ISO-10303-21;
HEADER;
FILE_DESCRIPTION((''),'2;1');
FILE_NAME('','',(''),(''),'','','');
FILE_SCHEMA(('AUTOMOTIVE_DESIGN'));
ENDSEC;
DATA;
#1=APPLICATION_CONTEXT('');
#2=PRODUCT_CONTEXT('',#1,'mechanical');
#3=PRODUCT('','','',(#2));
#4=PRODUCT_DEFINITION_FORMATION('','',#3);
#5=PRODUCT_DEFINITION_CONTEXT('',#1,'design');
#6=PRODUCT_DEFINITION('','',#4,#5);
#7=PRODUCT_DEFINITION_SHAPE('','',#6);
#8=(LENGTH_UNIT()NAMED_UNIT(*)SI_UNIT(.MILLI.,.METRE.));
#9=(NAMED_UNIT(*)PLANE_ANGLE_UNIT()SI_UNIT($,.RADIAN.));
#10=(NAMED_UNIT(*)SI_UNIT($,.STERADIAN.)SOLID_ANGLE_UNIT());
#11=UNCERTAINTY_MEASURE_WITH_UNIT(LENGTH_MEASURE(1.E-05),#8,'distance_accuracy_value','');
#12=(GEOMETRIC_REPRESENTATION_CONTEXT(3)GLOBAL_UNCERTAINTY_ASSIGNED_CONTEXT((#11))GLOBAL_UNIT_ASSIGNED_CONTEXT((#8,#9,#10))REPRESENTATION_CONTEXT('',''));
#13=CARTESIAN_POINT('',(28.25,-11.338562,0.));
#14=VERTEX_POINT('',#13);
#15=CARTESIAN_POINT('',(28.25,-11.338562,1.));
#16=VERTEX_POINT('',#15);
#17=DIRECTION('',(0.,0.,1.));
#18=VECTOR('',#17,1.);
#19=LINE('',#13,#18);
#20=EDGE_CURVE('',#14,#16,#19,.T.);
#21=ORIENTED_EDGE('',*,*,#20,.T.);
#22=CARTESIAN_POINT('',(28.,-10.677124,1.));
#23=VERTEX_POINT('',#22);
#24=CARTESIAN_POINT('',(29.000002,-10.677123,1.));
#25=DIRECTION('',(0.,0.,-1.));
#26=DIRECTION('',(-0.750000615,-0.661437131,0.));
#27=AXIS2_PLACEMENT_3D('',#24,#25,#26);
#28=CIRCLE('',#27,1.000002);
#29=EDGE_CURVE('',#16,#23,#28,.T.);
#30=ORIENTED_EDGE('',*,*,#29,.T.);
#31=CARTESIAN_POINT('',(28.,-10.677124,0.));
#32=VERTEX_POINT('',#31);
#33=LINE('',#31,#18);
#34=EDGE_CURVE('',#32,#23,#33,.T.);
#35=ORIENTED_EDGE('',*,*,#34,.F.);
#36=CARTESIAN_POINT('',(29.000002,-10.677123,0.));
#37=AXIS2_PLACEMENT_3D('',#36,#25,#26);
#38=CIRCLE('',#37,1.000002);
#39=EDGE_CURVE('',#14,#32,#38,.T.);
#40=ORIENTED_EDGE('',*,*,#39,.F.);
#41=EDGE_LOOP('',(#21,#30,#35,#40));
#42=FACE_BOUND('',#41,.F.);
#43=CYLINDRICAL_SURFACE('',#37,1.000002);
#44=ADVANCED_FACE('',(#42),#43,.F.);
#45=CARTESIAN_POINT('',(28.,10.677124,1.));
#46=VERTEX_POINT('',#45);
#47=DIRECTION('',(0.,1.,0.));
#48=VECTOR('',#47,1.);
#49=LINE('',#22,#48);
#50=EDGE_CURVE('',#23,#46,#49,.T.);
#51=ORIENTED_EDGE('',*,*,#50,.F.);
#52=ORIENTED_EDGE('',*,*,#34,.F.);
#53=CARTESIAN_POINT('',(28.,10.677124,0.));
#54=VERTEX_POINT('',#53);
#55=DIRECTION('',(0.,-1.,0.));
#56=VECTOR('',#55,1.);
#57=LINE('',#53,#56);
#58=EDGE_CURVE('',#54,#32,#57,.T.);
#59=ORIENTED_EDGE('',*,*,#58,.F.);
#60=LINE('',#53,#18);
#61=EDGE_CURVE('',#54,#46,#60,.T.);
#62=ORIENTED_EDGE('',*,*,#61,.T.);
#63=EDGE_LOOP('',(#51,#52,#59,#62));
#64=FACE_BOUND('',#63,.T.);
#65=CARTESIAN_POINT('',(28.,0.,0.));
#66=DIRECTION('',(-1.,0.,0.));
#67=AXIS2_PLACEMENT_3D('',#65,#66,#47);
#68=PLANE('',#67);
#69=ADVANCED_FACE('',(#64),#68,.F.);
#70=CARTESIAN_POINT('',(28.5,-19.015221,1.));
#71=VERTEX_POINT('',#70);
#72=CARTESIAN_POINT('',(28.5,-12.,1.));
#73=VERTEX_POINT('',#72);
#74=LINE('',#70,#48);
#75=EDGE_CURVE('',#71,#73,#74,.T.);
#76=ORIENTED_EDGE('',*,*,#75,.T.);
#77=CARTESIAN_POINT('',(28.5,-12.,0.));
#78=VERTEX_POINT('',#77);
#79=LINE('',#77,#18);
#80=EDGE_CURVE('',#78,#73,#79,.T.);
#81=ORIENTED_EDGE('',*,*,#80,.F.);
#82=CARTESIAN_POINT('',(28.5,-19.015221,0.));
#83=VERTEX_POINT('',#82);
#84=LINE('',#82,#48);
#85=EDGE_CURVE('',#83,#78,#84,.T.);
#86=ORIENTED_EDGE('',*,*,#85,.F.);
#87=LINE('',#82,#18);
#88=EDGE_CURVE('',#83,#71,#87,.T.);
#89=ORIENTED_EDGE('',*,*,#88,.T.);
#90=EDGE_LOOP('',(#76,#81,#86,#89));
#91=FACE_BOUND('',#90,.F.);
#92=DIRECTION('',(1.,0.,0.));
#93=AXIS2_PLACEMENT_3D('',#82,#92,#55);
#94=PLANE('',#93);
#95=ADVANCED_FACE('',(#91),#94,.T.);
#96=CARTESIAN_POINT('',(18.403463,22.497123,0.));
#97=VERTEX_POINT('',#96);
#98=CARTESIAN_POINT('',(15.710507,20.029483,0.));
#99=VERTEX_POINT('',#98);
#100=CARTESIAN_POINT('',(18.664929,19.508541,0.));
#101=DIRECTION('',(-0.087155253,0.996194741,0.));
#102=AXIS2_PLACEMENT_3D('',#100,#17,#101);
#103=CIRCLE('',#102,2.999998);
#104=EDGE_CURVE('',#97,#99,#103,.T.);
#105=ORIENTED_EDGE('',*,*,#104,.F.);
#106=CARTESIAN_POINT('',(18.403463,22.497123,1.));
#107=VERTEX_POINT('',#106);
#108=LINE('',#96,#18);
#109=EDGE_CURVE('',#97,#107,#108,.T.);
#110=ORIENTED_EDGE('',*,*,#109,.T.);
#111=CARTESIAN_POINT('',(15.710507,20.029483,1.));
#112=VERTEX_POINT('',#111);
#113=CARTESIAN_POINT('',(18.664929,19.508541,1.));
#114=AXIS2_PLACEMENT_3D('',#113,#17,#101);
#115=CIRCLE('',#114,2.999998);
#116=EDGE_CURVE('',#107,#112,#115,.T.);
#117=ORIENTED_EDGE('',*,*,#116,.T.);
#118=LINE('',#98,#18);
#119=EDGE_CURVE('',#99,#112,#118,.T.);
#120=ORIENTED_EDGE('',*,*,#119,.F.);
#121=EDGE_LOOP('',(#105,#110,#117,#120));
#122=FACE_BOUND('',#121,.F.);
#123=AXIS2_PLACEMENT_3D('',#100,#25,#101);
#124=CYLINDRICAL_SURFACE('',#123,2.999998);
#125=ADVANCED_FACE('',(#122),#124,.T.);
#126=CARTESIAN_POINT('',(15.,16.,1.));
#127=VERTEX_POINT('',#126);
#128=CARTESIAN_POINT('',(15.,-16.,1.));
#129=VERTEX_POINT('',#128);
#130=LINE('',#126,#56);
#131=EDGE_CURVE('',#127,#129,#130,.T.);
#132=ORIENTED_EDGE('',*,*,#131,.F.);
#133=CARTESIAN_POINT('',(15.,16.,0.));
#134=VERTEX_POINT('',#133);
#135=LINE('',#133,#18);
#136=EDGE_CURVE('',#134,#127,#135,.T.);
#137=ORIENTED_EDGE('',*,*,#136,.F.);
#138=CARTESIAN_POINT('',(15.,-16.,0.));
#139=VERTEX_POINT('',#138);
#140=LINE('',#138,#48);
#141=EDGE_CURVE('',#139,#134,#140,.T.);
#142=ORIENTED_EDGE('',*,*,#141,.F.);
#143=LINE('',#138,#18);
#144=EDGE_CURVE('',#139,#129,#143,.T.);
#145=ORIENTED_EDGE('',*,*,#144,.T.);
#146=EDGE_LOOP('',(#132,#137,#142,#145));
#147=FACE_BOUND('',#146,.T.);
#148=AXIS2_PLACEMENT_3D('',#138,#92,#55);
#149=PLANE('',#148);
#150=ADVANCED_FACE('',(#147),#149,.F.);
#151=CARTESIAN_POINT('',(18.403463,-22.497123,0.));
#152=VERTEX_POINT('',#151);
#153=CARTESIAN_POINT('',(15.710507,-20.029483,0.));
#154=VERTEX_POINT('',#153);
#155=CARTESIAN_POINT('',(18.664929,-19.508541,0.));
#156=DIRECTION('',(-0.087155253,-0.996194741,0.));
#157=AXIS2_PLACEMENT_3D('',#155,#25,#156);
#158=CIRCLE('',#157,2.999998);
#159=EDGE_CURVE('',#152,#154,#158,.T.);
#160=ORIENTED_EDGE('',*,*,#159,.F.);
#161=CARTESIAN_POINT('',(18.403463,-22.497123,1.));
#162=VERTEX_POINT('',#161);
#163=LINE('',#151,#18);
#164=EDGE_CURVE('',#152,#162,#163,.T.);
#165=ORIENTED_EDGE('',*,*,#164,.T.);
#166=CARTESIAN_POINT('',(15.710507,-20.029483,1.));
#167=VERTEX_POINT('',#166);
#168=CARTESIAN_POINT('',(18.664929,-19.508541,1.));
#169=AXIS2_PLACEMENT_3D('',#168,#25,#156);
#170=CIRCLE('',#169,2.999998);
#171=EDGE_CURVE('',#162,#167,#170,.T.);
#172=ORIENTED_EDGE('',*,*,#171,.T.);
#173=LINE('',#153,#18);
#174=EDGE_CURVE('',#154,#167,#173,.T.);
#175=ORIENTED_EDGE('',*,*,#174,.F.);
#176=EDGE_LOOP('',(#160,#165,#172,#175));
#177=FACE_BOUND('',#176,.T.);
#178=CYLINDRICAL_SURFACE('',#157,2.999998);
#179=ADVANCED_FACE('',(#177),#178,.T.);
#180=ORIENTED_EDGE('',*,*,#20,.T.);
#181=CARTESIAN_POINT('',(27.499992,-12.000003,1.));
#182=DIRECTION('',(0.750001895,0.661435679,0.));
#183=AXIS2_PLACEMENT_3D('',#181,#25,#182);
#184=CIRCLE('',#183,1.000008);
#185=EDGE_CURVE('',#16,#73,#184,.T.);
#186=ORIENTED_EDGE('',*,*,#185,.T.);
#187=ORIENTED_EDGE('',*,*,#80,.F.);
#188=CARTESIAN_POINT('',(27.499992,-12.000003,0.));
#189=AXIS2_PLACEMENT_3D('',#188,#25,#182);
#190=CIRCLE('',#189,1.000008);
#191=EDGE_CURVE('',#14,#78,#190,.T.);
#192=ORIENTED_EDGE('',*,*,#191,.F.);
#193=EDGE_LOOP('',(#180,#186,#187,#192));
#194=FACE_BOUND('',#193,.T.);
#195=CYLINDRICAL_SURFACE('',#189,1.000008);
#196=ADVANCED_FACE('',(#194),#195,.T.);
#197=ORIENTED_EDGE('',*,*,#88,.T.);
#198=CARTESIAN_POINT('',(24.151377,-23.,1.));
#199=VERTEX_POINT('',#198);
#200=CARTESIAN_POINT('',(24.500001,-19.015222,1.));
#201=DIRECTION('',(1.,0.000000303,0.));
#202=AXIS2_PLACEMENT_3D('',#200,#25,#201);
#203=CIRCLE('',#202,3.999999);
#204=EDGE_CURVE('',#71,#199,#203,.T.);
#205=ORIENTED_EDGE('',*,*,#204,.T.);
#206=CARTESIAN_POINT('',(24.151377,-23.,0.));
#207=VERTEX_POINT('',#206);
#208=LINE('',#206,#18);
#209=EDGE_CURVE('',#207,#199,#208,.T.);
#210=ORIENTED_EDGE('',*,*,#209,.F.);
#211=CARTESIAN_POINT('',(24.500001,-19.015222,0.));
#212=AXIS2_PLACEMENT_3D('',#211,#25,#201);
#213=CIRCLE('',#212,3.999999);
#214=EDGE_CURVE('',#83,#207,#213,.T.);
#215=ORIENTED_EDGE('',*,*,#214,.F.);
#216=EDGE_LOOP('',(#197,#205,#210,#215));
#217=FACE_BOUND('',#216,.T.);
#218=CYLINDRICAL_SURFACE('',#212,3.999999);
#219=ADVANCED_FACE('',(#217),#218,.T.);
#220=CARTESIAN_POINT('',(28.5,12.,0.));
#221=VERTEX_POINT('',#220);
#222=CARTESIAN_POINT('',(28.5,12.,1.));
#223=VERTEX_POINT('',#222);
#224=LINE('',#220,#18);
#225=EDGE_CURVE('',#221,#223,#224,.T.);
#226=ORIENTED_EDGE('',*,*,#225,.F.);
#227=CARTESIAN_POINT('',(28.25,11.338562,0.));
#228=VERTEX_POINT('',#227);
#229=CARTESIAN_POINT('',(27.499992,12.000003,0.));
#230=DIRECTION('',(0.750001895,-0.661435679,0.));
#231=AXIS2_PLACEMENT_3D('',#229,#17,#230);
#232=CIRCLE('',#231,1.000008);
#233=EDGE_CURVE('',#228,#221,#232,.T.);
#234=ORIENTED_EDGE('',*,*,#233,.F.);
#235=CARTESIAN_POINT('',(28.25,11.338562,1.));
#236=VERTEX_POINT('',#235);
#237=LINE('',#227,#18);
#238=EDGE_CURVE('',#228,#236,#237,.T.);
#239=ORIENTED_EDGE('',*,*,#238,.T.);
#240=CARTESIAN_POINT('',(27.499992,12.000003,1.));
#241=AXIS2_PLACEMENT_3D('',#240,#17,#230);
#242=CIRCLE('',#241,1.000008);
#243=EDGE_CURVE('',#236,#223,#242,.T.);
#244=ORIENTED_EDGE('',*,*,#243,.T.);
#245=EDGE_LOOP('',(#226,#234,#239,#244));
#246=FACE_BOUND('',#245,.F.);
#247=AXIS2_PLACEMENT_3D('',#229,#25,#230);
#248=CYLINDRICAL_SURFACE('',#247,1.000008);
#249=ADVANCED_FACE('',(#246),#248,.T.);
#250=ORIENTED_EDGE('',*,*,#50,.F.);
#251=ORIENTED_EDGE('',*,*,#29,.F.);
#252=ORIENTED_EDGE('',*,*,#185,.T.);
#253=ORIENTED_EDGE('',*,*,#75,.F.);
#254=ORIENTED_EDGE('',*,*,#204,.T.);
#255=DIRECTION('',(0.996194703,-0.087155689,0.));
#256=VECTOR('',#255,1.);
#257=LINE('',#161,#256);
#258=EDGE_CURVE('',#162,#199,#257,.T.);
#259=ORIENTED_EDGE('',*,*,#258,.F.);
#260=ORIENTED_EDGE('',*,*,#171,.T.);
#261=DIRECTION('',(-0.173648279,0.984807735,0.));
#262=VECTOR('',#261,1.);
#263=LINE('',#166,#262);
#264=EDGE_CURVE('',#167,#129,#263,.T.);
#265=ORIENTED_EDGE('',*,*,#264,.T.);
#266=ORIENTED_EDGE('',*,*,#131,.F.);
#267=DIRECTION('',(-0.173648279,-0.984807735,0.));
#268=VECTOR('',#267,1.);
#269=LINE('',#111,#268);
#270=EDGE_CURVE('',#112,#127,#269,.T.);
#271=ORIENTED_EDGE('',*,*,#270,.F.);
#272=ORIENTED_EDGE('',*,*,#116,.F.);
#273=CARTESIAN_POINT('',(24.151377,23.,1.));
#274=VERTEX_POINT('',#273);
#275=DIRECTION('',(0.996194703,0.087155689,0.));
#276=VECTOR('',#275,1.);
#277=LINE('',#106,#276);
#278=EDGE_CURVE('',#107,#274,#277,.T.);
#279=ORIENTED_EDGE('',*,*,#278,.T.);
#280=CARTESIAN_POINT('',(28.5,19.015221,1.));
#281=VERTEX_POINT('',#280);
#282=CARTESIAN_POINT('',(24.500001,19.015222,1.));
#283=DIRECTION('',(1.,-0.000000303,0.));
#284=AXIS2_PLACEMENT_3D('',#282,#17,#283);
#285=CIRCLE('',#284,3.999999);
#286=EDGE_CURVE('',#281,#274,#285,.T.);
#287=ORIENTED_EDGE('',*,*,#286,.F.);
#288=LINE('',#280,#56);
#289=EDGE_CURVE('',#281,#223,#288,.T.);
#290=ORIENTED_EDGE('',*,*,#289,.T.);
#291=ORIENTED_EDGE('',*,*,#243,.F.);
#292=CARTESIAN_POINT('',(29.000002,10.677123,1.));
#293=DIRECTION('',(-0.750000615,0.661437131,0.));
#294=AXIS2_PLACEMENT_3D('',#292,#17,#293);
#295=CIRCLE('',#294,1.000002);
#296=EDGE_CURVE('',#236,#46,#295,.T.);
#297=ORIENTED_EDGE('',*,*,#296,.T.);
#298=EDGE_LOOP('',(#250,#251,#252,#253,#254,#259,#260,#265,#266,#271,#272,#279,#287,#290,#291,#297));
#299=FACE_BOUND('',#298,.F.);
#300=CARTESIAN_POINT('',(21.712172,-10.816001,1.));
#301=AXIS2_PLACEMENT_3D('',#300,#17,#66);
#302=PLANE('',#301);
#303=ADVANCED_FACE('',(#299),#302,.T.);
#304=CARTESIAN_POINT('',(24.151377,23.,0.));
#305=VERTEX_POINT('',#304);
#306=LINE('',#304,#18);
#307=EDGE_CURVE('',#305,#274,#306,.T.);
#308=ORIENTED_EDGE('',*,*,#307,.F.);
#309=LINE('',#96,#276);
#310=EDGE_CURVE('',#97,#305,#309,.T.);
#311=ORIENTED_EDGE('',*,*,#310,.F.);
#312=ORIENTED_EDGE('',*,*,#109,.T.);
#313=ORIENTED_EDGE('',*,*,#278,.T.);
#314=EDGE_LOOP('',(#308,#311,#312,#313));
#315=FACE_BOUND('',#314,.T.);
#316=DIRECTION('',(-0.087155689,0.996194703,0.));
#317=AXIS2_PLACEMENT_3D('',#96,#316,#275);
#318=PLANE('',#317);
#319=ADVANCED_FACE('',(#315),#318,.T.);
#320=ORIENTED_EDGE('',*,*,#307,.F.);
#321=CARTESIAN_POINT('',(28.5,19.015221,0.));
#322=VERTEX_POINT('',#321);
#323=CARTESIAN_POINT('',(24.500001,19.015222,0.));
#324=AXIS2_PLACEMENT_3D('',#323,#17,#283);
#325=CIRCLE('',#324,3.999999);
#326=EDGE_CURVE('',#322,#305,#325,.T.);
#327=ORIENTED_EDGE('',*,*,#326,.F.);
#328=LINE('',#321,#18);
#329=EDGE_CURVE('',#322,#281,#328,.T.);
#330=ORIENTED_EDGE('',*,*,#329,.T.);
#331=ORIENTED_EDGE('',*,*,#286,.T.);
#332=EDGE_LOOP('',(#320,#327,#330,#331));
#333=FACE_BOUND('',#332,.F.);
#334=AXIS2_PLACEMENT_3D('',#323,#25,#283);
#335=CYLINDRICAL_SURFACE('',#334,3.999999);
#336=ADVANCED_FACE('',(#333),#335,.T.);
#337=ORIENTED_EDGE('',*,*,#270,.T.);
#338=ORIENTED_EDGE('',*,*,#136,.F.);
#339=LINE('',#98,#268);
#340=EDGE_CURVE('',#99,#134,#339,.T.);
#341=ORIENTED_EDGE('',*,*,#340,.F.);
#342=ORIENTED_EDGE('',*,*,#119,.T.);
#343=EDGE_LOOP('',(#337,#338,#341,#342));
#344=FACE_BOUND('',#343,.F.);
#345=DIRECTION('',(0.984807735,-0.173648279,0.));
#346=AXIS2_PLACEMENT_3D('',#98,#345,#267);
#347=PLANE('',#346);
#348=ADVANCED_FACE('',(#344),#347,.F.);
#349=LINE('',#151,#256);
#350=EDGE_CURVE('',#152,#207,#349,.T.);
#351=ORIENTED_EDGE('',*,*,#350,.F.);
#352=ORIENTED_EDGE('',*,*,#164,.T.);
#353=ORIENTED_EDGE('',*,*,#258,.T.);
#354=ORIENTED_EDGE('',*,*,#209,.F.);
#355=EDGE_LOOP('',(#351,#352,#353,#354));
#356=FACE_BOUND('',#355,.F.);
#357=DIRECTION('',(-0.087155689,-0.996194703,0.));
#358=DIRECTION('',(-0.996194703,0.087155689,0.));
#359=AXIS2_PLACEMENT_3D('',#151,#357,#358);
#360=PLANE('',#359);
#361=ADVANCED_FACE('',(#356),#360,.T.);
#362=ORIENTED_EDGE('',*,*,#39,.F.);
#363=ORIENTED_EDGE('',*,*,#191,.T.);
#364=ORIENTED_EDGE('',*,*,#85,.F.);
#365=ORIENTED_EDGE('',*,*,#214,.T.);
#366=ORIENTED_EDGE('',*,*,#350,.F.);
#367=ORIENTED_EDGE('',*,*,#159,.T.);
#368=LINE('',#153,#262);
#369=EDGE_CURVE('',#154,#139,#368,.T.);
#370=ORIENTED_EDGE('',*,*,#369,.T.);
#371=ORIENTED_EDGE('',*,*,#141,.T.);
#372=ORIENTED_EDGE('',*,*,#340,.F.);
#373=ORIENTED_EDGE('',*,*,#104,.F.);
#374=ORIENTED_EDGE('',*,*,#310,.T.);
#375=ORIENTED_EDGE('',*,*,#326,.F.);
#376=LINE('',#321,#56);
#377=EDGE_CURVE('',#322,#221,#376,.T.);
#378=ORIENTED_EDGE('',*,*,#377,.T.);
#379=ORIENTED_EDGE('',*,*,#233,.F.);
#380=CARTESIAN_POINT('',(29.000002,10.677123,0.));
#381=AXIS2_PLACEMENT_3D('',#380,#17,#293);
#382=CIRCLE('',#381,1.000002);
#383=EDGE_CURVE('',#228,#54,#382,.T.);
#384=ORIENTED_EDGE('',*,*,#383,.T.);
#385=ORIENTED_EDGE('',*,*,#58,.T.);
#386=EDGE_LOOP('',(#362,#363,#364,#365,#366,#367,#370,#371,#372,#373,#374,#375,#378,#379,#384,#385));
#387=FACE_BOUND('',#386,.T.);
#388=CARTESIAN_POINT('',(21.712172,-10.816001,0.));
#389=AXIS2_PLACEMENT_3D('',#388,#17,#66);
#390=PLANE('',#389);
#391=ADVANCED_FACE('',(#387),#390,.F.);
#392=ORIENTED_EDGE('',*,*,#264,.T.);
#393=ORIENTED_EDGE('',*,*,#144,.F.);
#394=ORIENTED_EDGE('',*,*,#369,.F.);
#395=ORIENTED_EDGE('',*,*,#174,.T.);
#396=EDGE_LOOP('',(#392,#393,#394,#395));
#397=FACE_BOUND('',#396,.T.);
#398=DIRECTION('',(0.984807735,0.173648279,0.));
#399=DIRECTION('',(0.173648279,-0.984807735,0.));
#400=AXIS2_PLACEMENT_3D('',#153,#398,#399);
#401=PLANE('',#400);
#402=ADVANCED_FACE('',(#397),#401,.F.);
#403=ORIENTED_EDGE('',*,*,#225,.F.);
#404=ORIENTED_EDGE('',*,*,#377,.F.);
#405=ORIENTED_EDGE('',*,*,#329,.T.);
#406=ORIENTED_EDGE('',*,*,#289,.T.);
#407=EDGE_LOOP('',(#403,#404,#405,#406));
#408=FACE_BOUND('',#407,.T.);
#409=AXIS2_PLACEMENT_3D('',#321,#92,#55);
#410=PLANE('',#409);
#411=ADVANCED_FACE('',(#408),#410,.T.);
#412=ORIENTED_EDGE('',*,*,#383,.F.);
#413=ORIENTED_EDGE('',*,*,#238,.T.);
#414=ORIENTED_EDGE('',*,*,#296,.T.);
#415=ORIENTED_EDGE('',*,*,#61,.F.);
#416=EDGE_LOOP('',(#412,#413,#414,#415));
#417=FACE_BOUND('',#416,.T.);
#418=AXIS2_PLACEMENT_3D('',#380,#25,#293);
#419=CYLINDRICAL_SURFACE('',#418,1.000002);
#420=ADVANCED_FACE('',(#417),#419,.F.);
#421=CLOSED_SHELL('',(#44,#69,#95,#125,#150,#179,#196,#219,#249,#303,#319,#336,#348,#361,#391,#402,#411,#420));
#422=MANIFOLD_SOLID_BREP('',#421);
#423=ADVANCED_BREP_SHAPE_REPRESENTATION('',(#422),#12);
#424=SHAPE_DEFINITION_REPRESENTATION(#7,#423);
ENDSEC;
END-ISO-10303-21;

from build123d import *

# Parameters (mm, degrees)
PAD_DEPTH = 1


with BuildPart() as part:
    # Sketch007 → Pad (new body)
    with BuildSketch(Plane.XY):
        with BuildLine():
            ThreePointArc((28.5, 19.015221), (27.202361, 21.964331), (24.151377, 23))
            Line((18.403463, 22.497123), (24.151377, 23))
            ThreePointArc((18.403463, 22.497123), (16.638159, 21.720371), (15.710507, 20.029483))
            Line((15.710507, 20.029483), (15, 16))
            Line((15, 16), (15, 0))
            Line((15, 0), (28, 0))
            Line((28, 0), (28, 10.677124))
            ThreePointArc((28.25, 11.338562), (28.064586, 11.030678), (28, 10.677124))
            ThreePointArc((28.25, 11.338562), (28.435414, 11.646447), (28.5, 12))
            Line((28.5, 19.015221), (28.5, 12))
        make_face()
    pad = extrude(amount=PAD_DEPTH)

    # Mirrored: Pad across Sketch007 H_Axis
    add(pad.mirror(Plane.ZX))


solid = part.part
